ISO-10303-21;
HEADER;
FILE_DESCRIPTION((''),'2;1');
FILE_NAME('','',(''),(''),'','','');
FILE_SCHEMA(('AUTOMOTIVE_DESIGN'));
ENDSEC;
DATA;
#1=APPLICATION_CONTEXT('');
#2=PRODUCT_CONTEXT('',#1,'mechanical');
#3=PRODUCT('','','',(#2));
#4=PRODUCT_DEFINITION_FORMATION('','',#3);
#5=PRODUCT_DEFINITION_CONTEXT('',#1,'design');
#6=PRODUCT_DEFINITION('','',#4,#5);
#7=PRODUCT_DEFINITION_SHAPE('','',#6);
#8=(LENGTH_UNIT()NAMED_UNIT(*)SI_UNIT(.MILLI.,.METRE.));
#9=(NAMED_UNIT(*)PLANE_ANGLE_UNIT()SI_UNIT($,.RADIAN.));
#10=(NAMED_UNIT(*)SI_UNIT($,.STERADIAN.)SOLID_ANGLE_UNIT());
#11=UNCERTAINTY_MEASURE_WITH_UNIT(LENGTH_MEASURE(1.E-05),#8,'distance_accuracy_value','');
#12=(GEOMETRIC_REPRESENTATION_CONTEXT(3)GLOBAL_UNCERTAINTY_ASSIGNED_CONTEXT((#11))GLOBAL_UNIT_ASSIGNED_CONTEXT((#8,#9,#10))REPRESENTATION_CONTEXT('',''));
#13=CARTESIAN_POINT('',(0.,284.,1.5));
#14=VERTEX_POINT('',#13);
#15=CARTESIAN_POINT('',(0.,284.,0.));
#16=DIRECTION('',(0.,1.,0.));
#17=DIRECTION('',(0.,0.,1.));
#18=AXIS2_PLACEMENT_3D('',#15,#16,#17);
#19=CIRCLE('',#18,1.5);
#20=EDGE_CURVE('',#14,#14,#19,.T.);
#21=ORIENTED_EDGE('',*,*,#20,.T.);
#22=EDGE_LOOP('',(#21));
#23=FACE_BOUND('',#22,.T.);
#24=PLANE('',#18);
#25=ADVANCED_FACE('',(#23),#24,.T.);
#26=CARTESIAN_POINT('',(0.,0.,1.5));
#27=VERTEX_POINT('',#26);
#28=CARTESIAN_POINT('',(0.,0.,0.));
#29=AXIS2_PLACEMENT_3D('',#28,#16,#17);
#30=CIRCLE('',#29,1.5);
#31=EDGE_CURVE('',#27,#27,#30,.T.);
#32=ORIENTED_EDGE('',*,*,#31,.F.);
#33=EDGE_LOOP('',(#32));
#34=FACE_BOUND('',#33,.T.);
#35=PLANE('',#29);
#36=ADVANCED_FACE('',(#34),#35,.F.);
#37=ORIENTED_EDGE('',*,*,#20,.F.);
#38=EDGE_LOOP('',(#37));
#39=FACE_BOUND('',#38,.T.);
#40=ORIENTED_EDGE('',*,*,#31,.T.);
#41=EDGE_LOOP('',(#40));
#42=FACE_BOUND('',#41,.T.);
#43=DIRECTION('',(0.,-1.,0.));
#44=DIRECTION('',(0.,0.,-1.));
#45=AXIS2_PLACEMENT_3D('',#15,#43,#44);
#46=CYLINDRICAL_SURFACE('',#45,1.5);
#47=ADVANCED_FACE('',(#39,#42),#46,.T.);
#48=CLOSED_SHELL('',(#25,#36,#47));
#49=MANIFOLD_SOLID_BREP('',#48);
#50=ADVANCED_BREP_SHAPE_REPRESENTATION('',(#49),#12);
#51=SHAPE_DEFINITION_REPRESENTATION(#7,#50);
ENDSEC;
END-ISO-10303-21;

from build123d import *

# Parameters (mm, degrees)
ESQUISSE1_R      = 1.5
EXTRUSION1_DEPTH = 284


with BuildPart() as part:
    # Esquisse1 → Extrusion1 (new body)
    with BuildSketch(Plane(origin=(0, 0, 0), x_dir=(1, 0, 0), z_dir=(0, 1, 0))):
        with Locations(Location((0, 0, 0), (0, 0, 270))):  # turned: the seam where the file's is
            Circle(ESQUISSE1_R)
    extrude(amount=EXTRUSION1_DEPTH)


solid = part.part
